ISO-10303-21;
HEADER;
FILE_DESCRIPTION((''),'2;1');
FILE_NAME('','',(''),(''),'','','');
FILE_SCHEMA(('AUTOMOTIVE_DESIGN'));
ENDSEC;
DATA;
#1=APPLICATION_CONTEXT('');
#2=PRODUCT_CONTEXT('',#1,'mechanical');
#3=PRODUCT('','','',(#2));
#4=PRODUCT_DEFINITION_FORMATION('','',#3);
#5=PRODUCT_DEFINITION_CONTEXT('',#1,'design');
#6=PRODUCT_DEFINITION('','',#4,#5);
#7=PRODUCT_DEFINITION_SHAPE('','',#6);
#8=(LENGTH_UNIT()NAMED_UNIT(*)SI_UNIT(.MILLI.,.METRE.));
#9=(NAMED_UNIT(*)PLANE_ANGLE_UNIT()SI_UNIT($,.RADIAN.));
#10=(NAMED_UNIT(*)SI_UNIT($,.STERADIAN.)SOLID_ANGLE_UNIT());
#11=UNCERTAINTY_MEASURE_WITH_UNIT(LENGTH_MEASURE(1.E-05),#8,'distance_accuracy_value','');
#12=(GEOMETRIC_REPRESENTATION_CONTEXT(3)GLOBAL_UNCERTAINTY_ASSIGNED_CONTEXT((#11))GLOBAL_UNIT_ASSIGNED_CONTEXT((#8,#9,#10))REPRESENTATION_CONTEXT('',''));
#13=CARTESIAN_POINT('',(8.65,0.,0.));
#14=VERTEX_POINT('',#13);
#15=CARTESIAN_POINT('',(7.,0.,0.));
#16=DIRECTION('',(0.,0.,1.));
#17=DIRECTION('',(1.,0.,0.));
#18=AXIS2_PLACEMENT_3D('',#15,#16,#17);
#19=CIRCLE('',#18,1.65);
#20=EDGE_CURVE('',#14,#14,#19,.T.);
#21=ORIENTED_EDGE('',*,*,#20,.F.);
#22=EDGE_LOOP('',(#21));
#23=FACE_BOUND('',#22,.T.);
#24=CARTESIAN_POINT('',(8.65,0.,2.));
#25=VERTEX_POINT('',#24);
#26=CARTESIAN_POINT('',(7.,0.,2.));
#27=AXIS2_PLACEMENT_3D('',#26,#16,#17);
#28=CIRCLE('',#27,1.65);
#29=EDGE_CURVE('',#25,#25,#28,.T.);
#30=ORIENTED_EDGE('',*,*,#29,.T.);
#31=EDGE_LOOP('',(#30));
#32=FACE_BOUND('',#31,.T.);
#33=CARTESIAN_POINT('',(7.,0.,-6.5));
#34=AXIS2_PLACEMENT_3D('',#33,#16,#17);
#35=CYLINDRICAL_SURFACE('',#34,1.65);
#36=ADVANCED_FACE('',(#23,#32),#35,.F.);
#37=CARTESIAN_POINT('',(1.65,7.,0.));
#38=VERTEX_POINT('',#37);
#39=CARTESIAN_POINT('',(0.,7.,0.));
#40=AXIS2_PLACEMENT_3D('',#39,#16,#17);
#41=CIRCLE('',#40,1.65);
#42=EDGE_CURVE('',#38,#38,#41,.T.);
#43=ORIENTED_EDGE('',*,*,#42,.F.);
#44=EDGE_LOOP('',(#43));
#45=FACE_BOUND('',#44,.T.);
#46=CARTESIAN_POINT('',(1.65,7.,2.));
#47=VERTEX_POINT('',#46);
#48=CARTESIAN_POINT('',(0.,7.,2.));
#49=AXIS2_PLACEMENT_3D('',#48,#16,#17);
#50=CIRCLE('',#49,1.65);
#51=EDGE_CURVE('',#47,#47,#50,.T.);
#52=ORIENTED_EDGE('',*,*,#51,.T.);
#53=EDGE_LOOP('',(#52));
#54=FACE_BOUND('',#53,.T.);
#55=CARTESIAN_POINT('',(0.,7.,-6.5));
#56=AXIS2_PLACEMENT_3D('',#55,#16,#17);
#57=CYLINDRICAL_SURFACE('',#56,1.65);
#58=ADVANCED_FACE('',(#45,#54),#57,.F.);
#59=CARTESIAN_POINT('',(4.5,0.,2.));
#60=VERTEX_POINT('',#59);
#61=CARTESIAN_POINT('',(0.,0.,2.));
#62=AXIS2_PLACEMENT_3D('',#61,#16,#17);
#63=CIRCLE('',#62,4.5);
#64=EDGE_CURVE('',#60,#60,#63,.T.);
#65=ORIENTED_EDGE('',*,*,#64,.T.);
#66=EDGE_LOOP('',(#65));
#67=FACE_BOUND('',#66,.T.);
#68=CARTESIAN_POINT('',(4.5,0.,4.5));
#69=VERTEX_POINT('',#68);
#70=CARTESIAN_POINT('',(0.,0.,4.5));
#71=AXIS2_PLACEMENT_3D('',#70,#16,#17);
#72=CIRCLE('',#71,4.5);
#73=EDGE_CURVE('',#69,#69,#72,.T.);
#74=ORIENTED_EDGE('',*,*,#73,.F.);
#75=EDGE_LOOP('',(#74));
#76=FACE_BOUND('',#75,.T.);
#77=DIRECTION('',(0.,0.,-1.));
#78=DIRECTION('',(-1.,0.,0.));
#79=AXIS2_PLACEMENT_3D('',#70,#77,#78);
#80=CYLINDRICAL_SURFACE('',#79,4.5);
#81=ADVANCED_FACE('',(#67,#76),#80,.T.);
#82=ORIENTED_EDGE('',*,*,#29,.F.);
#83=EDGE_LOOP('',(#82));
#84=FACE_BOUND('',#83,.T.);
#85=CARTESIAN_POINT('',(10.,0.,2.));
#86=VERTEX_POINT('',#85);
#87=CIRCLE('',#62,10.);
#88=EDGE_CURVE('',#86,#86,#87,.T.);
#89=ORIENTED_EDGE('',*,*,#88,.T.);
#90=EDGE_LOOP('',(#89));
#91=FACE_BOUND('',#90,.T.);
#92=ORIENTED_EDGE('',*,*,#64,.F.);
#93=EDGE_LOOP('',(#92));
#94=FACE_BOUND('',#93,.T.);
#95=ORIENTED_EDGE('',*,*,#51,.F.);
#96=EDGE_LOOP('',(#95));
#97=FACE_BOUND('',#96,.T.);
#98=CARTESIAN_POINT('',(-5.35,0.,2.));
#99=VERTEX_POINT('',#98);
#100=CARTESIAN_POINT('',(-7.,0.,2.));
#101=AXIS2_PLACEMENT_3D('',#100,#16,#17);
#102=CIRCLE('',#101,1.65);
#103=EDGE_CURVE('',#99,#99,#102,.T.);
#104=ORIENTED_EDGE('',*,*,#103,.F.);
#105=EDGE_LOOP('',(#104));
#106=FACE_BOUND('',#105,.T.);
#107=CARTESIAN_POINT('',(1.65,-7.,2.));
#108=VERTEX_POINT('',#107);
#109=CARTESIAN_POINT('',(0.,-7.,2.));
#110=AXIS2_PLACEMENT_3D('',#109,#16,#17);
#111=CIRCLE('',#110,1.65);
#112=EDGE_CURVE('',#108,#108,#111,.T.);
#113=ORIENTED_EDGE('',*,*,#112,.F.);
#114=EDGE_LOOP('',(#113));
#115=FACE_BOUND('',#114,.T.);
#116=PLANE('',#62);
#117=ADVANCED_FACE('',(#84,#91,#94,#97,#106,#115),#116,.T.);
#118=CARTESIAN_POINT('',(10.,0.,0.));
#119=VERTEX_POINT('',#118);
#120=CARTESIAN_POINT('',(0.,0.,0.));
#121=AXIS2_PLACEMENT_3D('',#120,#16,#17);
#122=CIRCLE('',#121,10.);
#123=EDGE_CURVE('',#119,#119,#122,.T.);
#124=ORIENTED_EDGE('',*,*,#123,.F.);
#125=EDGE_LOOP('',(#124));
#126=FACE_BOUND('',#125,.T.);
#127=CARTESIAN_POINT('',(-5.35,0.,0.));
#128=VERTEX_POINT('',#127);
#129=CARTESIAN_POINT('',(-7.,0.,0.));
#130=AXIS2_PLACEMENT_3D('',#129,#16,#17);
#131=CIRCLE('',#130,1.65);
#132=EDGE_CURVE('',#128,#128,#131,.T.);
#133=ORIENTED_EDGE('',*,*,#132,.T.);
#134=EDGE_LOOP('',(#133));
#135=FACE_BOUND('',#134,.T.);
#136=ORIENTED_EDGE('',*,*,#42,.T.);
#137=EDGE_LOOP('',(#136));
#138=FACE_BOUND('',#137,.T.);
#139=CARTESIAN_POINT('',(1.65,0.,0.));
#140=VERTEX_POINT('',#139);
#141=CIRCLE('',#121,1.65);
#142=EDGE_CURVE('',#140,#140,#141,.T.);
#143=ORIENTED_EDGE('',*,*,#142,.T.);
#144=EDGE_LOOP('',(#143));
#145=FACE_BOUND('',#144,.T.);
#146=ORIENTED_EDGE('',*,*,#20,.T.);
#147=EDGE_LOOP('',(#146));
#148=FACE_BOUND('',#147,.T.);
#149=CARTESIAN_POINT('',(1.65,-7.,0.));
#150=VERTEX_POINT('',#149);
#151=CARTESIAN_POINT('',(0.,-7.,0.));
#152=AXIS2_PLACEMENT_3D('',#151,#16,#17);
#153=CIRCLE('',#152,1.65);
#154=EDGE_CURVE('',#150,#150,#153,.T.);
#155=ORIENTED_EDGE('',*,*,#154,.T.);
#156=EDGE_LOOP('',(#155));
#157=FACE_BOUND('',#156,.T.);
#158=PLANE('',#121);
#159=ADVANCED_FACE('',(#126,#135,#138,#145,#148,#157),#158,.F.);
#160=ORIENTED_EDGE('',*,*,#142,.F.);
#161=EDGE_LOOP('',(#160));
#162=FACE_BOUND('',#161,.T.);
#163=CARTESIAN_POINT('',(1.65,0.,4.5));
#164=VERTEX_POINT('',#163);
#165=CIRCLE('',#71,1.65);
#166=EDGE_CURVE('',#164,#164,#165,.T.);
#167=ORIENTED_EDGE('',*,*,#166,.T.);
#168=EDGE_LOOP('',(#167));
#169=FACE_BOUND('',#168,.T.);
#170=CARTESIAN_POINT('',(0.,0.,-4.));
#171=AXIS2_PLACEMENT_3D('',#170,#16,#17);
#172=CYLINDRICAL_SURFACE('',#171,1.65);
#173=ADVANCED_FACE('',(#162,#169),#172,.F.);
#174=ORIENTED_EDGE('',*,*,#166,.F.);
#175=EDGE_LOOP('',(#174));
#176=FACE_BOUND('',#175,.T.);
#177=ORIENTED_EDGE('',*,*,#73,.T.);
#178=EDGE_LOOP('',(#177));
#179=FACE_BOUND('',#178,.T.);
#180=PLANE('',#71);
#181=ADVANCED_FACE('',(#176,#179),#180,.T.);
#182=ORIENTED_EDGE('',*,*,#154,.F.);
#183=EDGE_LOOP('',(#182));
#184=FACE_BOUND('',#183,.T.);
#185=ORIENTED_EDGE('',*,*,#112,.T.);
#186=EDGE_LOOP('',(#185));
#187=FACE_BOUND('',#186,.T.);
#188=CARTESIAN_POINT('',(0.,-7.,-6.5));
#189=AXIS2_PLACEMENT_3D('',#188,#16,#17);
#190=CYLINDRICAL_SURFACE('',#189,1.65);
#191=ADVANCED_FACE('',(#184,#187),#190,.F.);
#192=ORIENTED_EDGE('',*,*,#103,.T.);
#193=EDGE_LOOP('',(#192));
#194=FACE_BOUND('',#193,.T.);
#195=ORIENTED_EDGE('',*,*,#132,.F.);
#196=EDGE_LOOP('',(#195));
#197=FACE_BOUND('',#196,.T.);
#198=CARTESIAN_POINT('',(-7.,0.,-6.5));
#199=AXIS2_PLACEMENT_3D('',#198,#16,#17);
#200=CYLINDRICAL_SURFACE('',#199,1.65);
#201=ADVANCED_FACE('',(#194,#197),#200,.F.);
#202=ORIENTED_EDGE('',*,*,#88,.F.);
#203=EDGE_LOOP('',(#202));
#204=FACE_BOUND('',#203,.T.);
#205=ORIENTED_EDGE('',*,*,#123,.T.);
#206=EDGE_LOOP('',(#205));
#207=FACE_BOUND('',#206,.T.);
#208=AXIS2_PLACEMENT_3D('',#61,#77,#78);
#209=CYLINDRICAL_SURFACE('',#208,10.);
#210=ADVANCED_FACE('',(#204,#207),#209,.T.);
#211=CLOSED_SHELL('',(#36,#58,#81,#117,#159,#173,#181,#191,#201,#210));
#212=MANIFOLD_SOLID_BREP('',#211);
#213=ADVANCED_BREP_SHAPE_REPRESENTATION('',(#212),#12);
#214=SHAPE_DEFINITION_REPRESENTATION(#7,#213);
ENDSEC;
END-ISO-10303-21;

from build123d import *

# Parameters (mm, degrees)
SKETCH_1_R          = 10
EXTRUDE_1_DEPTH     = 2
SKETCH_2_R          = 4.5
EXTRUDE_2_DEPTH     = 2.5
SKETCH_3_R          = 1.65
CUT_EXTRUDE_1_DEPTH = 8.5
SKETCH_4_R          = 1.65
CUT_EXTRUDE_2_DEPTH = 8.5


with BuildPart() as part:
    # 草图1 → 凸台-拉伸1 (new body)
    with BuildSketch(Plane.XY):
        Circle(SKETCH_1_R)
    extrude(amount=EXTRUDE_1_DEPTH)

    # 草图2 → 凸台-拉伸2 (add)
    with BuildSketch(Plane.XY.offset(2)):
        Circle(SKETCH_2_R)
    extrude(amount=EXTRUDE_2_DEPTH)

    # 草图3 → 切除-拉伸1 (cut)
    with BuildSketch(Plane.XY.offset(4.5)):
        Circle(SKETCH_3_R)
    extrude(amount=-CUT_EXTRUDE_1_DEPTH, mode=Mode.SUBTRACT)

    # 草图4 → 切除-拉伸2 (cut)
    with BuildSketch(Plane.XY.offset(2)):
        with Locations((0, 7)):
            Circle(SKETCH_4_R)
        with Locations((7, 0)):
            Circle(SKETCH_4_R)
        with Locations((0, -7)):
            Circle(SKETCH_4_R)
        with Locations((-7, 0)):
            Circle(SKETCH_4_R)
    extrude(amount=-CUT_EXTRUDE_2_DEPTH, mode=Mode.SUBTRACT)


solid = part.part
